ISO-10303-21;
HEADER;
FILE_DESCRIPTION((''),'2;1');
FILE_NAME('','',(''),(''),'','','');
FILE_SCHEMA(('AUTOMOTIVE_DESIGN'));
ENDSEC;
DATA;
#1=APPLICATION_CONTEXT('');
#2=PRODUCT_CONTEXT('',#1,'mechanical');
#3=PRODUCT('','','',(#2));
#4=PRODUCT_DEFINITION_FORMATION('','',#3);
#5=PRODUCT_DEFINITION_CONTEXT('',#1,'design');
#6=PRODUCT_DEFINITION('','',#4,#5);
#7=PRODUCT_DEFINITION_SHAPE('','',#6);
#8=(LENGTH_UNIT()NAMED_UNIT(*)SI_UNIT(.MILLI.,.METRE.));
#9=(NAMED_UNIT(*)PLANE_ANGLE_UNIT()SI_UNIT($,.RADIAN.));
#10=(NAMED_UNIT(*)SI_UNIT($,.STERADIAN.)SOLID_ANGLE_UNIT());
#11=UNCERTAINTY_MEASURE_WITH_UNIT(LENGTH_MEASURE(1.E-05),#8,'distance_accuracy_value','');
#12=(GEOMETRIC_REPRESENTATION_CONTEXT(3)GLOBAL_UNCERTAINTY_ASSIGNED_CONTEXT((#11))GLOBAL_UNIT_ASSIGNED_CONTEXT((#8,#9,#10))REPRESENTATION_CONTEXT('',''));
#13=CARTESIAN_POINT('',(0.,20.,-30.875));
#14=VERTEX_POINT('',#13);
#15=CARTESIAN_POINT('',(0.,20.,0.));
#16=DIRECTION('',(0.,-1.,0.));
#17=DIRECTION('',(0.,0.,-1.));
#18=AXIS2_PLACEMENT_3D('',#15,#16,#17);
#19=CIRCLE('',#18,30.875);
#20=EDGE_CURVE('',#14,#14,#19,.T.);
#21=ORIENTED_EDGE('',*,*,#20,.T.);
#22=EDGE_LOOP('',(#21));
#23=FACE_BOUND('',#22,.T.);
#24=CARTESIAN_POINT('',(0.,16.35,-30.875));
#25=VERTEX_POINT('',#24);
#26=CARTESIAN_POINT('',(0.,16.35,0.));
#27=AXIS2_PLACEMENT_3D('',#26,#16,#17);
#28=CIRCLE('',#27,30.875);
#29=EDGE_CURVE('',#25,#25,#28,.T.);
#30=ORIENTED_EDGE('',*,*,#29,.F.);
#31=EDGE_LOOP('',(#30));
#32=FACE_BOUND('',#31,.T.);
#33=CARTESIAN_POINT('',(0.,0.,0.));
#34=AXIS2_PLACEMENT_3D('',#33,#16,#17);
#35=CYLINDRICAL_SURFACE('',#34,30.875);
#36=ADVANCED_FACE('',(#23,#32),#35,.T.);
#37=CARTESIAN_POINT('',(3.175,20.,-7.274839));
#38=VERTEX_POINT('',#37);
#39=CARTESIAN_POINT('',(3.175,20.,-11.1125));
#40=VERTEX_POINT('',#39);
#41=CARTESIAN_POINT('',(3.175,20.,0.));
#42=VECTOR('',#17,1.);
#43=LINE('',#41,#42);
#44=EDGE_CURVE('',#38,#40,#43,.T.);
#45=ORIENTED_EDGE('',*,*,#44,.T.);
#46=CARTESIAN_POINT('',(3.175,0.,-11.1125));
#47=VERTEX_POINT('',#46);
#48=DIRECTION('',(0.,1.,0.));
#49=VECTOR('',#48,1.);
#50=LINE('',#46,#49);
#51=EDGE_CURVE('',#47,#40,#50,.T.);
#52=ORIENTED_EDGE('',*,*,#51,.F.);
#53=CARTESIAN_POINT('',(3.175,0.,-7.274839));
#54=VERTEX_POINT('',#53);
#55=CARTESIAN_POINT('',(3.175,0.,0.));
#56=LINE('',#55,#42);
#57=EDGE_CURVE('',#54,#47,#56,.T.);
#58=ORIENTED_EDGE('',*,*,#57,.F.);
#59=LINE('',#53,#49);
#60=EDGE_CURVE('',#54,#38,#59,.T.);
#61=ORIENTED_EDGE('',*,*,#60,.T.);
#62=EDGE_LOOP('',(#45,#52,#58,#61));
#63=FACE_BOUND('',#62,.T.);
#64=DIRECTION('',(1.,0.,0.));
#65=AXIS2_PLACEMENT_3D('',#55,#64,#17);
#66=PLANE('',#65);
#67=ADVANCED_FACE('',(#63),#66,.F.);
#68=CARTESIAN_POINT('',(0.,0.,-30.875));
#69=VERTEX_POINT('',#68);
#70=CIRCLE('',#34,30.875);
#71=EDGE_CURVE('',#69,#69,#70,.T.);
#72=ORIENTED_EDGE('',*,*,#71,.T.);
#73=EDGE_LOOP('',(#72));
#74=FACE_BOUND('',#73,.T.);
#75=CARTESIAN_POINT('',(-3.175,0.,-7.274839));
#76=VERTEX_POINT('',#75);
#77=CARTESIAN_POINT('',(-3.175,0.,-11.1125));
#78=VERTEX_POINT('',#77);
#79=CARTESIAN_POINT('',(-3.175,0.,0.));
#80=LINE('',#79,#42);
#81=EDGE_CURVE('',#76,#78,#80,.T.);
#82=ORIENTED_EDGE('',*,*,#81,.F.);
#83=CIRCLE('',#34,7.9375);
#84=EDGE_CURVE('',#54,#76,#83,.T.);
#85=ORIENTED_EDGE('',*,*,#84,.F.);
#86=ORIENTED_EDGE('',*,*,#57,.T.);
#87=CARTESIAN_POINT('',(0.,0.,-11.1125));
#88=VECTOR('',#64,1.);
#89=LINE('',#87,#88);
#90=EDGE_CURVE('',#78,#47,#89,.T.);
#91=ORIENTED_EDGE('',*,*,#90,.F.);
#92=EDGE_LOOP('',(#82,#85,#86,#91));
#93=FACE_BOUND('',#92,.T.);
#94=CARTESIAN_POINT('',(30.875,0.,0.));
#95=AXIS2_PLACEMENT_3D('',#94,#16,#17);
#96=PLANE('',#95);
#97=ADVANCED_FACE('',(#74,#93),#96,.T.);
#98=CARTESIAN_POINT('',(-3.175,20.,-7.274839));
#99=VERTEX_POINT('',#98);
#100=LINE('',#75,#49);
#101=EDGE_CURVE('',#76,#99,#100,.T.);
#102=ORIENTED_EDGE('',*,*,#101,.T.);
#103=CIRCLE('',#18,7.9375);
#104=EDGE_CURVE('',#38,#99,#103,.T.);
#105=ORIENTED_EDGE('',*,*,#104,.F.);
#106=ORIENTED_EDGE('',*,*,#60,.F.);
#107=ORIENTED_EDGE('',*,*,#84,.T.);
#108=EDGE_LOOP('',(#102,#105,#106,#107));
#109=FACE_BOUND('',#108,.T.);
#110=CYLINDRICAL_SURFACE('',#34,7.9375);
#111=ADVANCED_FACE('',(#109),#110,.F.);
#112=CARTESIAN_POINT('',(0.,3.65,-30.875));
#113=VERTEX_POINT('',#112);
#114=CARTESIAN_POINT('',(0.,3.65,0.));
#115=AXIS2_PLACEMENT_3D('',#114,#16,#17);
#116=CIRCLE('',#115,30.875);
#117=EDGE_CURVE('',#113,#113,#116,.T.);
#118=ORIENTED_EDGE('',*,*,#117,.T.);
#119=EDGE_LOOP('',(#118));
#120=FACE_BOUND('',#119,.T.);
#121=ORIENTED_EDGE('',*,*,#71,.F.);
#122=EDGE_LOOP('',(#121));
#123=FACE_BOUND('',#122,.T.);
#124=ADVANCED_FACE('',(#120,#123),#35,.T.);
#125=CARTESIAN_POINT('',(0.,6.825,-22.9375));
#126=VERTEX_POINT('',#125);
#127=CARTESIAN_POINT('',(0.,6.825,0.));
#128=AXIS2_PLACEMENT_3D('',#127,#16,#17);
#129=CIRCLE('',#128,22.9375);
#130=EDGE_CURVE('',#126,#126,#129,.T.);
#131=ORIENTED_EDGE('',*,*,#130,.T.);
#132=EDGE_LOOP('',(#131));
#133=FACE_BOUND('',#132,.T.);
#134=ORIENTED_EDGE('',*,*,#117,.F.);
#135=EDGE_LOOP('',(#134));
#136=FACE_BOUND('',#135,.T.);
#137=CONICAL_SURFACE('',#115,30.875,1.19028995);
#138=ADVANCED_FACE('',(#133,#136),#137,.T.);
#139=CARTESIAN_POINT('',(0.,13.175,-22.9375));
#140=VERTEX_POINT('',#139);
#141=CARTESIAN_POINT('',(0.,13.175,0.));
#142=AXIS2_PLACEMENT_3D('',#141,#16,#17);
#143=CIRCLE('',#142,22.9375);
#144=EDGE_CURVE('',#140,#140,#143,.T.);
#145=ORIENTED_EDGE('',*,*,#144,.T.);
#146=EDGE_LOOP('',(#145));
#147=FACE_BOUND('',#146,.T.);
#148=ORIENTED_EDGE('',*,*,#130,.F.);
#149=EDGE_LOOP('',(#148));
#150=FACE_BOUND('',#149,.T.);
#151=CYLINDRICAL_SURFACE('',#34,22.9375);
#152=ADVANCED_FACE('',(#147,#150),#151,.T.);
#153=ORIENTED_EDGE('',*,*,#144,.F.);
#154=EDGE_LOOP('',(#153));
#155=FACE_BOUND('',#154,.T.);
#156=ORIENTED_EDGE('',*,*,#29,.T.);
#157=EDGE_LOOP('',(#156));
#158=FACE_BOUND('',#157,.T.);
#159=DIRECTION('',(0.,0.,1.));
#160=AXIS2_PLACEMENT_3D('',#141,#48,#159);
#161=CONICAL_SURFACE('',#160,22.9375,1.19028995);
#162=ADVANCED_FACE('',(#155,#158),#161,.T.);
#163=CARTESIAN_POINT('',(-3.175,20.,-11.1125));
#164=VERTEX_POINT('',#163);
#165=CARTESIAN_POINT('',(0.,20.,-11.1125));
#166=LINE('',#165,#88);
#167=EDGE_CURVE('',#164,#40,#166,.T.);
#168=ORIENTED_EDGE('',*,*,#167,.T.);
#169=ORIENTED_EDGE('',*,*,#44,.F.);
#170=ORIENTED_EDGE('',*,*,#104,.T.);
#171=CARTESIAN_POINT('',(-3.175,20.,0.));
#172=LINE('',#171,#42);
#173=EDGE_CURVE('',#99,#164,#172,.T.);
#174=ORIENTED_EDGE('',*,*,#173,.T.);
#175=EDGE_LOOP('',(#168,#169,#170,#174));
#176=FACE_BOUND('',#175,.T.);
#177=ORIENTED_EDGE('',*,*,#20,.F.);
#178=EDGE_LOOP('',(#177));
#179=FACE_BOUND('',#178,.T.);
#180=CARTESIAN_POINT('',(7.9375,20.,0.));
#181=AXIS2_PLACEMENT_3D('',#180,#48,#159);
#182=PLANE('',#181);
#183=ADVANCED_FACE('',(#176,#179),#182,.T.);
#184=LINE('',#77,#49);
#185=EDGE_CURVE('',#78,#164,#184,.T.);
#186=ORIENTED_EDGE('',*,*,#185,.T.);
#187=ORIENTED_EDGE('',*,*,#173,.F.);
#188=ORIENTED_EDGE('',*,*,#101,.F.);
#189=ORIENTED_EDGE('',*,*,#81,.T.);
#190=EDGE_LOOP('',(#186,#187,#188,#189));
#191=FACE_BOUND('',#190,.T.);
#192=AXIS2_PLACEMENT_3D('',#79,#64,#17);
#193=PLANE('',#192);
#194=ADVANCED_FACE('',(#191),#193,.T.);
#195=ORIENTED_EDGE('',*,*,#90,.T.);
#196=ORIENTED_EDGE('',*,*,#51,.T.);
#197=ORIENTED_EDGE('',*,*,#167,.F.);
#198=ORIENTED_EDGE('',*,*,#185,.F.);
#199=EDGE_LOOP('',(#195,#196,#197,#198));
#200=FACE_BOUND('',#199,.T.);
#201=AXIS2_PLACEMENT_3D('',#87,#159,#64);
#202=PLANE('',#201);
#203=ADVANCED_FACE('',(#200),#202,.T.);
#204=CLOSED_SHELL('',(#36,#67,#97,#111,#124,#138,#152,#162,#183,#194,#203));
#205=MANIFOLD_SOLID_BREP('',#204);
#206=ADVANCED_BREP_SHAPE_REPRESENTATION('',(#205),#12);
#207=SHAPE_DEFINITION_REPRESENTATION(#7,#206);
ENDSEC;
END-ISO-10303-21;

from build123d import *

# Parameters (mm, degrees)
CORTAR_EXTRUIR1_DEPTH = 21


with BuildPart() as part:
    # Croquis1 → Revolución2 (revolve)
    with BuildSketch(Plane.XY):
        Polygon((7.9375, 0), (7.9375, 20), (30.875, 20), (30.875, 16.35), (22.9375, 13.175), (22.9375, 6.825), (30.875, 3.65), (30.875, 0), align=None)
    revolve(axis=Axis((0, 0, 0), (0, 1, 0)))

    # Croquis2 → Cortar-Extruir1 (cut, through all)
    with BuildSketch(Plane(origin=(0, 20, 0), x_dir=(1, 0, 0), z_dir=(0, 1, 0))):
        with BuildLine():
            Line((-3.175, 11.1125), (-3.175, 7.274838916))
            ThreePointArc((-3.175, 7.274838916), (0, 7.9375), (3.175, 7.274838916))
            Line((3.175, 7.274838916), (3.175, 11.1125))
            Line((3.175, 11.1125), (-3.175, 11.1125))
        make_face()
    extrude(amount=-CORTAR_EXTRUIR1_DEPTH, mode=Mode.SUBTRACT)


solid = part.part
